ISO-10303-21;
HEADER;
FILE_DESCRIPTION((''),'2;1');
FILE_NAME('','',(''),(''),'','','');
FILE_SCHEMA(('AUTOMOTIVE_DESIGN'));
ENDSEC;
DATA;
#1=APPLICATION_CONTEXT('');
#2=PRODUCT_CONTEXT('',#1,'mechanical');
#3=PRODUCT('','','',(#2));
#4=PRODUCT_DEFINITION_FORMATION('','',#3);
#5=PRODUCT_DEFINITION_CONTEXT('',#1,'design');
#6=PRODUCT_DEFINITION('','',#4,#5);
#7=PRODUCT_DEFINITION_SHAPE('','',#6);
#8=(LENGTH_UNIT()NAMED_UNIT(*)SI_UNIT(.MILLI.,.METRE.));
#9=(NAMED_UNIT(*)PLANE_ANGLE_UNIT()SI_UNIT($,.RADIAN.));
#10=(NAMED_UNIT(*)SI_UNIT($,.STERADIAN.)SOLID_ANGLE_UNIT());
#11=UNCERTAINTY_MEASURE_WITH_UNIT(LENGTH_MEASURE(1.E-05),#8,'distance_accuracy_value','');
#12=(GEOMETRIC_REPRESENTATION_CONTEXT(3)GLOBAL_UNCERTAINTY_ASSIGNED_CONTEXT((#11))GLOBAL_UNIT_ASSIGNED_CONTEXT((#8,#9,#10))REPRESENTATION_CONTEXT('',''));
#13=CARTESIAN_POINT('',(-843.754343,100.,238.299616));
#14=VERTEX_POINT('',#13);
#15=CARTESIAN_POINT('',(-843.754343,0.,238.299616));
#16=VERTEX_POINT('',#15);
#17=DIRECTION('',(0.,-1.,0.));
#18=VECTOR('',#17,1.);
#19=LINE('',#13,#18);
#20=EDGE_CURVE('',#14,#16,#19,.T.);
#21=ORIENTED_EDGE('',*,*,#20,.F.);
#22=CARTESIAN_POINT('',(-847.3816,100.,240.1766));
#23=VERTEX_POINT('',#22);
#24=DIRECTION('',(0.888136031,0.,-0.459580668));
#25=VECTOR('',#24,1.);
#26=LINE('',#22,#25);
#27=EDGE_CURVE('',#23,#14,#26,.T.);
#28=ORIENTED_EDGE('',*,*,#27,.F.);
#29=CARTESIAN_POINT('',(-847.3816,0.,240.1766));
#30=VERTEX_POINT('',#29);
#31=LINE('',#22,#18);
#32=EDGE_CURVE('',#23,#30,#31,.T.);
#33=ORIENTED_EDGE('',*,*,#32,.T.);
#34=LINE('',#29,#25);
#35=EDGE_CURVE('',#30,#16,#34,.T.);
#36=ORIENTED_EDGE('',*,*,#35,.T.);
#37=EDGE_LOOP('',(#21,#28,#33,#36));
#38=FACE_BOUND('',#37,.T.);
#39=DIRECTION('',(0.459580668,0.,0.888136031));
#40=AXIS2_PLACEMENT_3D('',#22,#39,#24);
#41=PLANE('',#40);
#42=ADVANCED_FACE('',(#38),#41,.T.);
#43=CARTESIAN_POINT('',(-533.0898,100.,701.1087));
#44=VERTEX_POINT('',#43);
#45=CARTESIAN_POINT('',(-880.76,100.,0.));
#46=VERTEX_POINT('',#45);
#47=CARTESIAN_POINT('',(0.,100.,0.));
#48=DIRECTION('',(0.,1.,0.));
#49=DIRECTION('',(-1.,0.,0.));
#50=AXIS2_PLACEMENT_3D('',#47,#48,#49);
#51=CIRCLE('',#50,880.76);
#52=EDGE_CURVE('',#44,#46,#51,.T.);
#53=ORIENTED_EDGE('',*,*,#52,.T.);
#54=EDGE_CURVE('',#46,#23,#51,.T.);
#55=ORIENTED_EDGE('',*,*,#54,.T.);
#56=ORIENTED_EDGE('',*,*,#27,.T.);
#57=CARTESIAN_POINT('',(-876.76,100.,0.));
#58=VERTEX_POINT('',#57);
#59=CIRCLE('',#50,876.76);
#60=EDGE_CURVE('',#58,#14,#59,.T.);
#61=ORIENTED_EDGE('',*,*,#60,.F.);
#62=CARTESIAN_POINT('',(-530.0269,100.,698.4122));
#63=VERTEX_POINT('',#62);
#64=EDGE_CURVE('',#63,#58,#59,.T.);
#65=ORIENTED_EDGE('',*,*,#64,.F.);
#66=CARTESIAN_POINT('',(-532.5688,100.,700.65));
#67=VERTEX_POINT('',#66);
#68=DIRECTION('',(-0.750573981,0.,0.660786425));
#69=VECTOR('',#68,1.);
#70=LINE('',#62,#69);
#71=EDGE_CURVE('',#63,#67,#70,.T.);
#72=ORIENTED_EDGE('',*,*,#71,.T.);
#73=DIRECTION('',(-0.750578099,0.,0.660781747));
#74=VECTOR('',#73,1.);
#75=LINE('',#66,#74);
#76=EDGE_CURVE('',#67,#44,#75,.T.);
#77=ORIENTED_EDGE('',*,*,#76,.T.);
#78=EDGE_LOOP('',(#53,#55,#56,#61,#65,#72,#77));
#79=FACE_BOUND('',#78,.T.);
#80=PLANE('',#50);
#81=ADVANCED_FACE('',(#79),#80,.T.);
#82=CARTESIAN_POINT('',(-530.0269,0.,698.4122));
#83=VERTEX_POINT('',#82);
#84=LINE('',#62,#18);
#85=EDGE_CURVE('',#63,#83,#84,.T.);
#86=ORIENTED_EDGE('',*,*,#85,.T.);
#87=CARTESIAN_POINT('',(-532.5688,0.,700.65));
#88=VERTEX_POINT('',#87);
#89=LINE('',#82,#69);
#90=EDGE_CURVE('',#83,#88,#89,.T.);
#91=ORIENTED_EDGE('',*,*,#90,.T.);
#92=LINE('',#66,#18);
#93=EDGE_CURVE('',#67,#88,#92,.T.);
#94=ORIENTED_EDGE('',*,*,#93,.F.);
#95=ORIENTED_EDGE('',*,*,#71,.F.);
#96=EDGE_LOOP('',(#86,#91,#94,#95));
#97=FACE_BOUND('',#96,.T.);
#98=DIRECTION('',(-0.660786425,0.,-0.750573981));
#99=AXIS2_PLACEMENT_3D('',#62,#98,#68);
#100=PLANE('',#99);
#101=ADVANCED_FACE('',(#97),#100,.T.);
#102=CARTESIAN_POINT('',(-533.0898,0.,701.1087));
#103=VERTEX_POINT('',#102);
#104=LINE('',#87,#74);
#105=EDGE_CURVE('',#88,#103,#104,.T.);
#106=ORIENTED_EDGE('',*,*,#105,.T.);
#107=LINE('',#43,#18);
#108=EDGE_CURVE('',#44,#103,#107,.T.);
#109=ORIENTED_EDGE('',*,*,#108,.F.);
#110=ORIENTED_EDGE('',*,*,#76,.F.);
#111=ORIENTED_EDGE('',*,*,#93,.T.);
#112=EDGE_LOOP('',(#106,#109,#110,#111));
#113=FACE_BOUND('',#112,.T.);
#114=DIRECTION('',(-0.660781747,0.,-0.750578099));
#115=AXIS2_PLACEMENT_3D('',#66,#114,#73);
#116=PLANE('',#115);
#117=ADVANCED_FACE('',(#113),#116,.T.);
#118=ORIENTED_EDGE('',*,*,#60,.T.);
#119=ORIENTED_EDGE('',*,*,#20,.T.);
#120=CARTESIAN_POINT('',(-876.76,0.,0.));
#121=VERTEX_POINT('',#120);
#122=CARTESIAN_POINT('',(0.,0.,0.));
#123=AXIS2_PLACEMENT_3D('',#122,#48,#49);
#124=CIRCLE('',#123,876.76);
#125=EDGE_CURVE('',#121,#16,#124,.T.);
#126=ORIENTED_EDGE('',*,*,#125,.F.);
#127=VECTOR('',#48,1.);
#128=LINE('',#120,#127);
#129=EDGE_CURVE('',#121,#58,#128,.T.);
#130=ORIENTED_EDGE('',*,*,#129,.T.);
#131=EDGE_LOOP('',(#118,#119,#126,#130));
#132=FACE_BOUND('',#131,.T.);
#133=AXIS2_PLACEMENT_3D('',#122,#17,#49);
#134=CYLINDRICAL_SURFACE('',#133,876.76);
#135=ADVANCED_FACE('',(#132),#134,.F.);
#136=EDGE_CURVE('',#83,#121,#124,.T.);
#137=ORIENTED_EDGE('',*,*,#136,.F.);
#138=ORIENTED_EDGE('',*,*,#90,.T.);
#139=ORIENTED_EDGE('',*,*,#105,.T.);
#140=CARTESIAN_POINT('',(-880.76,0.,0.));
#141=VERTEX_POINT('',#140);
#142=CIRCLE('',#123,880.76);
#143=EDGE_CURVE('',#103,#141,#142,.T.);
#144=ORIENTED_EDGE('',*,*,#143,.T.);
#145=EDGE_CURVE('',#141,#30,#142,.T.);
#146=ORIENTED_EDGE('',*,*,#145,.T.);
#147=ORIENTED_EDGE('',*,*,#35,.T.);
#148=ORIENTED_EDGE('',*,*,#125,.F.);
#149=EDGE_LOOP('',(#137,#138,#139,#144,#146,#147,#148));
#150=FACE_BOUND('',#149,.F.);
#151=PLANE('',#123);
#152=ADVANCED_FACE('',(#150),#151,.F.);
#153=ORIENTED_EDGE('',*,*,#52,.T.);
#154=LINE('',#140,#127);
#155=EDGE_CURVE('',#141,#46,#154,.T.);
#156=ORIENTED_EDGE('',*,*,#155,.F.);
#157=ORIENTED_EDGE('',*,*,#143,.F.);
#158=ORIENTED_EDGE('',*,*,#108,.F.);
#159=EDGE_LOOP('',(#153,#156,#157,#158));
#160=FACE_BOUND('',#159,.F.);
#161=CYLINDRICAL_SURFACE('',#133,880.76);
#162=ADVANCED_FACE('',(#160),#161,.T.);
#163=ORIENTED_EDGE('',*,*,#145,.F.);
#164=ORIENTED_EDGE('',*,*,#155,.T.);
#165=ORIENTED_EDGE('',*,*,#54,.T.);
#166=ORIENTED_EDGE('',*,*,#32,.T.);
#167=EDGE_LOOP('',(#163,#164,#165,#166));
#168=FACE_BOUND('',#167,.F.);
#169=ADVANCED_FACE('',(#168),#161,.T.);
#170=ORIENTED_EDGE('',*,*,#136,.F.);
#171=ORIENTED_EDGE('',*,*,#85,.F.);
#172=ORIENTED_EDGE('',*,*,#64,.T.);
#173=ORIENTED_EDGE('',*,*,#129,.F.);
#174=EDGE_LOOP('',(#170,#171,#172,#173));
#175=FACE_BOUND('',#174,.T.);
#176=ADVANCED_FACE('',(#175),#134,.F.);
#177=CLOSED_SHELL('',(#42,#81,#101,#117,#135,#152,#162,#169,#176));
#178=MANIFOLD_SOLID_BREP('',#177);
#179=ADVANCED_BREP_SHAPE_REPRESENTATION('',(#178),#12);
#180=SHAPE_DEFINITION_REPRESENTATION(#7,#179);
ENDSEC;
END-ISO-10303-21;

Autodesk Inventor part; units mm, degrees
ref_plane "YZ Plane" through (0, 0, 0) normal (1, 0, 0) x (0, 1, 0)
ref_plane "XZ Plane" through (0, 0, 0) normal (0, 1, 0) x (-1, 0, 0)
ref_plane "XY Plane" through (0, 0, 0) normal (0, 0, 1) x (1, 0, 0)
sketch "Sketch1" plane through (0, 0, 0) normal (0, 1, 0) x (-1, 0, 0)
  circle A0 centre (0, 0) radius 880.76
  circle A1 centre (0, 0) radius 876.76
  dimension "d0" = 1761.52
  dimension "d1" = 1753.52
extrude "Extrusion1" add sketch "Sketch1" along normal blind 100
sketch "Sketch2" plane through (0, 100, 0) normal (0, 1, 0) x (1, 0, 0)
  line L0 (-1152.0023, -397.8039) -> (-847.3816, -240.1766) projected
  line L1 (-532.5688, -700.65) -> (-790.0008, -927.2838) projected
  circle A0 centre (0, 0) radius 876.76 projected
  line L2 (-530.0269, -698.4122) -> (-533.0898, -701.1087)
  circle A1 centre (0, 0) radius 880.76 projected
  line L3 (-847.3816, -240.1766) -> (-843.7518, -238.2983)
  point P0 (-843.7543, -238.2996)
  point P1 (-847.3805, -240.176)
extrude "Extrusion2" cut sketch "Sketch2" against normal blind 100 contours L1 A1 L3 A0 L2 picked at (-840.9977, -251.8211)
properties part number "Edge Band - Platform C Inner" material "Wood (Birch)"
